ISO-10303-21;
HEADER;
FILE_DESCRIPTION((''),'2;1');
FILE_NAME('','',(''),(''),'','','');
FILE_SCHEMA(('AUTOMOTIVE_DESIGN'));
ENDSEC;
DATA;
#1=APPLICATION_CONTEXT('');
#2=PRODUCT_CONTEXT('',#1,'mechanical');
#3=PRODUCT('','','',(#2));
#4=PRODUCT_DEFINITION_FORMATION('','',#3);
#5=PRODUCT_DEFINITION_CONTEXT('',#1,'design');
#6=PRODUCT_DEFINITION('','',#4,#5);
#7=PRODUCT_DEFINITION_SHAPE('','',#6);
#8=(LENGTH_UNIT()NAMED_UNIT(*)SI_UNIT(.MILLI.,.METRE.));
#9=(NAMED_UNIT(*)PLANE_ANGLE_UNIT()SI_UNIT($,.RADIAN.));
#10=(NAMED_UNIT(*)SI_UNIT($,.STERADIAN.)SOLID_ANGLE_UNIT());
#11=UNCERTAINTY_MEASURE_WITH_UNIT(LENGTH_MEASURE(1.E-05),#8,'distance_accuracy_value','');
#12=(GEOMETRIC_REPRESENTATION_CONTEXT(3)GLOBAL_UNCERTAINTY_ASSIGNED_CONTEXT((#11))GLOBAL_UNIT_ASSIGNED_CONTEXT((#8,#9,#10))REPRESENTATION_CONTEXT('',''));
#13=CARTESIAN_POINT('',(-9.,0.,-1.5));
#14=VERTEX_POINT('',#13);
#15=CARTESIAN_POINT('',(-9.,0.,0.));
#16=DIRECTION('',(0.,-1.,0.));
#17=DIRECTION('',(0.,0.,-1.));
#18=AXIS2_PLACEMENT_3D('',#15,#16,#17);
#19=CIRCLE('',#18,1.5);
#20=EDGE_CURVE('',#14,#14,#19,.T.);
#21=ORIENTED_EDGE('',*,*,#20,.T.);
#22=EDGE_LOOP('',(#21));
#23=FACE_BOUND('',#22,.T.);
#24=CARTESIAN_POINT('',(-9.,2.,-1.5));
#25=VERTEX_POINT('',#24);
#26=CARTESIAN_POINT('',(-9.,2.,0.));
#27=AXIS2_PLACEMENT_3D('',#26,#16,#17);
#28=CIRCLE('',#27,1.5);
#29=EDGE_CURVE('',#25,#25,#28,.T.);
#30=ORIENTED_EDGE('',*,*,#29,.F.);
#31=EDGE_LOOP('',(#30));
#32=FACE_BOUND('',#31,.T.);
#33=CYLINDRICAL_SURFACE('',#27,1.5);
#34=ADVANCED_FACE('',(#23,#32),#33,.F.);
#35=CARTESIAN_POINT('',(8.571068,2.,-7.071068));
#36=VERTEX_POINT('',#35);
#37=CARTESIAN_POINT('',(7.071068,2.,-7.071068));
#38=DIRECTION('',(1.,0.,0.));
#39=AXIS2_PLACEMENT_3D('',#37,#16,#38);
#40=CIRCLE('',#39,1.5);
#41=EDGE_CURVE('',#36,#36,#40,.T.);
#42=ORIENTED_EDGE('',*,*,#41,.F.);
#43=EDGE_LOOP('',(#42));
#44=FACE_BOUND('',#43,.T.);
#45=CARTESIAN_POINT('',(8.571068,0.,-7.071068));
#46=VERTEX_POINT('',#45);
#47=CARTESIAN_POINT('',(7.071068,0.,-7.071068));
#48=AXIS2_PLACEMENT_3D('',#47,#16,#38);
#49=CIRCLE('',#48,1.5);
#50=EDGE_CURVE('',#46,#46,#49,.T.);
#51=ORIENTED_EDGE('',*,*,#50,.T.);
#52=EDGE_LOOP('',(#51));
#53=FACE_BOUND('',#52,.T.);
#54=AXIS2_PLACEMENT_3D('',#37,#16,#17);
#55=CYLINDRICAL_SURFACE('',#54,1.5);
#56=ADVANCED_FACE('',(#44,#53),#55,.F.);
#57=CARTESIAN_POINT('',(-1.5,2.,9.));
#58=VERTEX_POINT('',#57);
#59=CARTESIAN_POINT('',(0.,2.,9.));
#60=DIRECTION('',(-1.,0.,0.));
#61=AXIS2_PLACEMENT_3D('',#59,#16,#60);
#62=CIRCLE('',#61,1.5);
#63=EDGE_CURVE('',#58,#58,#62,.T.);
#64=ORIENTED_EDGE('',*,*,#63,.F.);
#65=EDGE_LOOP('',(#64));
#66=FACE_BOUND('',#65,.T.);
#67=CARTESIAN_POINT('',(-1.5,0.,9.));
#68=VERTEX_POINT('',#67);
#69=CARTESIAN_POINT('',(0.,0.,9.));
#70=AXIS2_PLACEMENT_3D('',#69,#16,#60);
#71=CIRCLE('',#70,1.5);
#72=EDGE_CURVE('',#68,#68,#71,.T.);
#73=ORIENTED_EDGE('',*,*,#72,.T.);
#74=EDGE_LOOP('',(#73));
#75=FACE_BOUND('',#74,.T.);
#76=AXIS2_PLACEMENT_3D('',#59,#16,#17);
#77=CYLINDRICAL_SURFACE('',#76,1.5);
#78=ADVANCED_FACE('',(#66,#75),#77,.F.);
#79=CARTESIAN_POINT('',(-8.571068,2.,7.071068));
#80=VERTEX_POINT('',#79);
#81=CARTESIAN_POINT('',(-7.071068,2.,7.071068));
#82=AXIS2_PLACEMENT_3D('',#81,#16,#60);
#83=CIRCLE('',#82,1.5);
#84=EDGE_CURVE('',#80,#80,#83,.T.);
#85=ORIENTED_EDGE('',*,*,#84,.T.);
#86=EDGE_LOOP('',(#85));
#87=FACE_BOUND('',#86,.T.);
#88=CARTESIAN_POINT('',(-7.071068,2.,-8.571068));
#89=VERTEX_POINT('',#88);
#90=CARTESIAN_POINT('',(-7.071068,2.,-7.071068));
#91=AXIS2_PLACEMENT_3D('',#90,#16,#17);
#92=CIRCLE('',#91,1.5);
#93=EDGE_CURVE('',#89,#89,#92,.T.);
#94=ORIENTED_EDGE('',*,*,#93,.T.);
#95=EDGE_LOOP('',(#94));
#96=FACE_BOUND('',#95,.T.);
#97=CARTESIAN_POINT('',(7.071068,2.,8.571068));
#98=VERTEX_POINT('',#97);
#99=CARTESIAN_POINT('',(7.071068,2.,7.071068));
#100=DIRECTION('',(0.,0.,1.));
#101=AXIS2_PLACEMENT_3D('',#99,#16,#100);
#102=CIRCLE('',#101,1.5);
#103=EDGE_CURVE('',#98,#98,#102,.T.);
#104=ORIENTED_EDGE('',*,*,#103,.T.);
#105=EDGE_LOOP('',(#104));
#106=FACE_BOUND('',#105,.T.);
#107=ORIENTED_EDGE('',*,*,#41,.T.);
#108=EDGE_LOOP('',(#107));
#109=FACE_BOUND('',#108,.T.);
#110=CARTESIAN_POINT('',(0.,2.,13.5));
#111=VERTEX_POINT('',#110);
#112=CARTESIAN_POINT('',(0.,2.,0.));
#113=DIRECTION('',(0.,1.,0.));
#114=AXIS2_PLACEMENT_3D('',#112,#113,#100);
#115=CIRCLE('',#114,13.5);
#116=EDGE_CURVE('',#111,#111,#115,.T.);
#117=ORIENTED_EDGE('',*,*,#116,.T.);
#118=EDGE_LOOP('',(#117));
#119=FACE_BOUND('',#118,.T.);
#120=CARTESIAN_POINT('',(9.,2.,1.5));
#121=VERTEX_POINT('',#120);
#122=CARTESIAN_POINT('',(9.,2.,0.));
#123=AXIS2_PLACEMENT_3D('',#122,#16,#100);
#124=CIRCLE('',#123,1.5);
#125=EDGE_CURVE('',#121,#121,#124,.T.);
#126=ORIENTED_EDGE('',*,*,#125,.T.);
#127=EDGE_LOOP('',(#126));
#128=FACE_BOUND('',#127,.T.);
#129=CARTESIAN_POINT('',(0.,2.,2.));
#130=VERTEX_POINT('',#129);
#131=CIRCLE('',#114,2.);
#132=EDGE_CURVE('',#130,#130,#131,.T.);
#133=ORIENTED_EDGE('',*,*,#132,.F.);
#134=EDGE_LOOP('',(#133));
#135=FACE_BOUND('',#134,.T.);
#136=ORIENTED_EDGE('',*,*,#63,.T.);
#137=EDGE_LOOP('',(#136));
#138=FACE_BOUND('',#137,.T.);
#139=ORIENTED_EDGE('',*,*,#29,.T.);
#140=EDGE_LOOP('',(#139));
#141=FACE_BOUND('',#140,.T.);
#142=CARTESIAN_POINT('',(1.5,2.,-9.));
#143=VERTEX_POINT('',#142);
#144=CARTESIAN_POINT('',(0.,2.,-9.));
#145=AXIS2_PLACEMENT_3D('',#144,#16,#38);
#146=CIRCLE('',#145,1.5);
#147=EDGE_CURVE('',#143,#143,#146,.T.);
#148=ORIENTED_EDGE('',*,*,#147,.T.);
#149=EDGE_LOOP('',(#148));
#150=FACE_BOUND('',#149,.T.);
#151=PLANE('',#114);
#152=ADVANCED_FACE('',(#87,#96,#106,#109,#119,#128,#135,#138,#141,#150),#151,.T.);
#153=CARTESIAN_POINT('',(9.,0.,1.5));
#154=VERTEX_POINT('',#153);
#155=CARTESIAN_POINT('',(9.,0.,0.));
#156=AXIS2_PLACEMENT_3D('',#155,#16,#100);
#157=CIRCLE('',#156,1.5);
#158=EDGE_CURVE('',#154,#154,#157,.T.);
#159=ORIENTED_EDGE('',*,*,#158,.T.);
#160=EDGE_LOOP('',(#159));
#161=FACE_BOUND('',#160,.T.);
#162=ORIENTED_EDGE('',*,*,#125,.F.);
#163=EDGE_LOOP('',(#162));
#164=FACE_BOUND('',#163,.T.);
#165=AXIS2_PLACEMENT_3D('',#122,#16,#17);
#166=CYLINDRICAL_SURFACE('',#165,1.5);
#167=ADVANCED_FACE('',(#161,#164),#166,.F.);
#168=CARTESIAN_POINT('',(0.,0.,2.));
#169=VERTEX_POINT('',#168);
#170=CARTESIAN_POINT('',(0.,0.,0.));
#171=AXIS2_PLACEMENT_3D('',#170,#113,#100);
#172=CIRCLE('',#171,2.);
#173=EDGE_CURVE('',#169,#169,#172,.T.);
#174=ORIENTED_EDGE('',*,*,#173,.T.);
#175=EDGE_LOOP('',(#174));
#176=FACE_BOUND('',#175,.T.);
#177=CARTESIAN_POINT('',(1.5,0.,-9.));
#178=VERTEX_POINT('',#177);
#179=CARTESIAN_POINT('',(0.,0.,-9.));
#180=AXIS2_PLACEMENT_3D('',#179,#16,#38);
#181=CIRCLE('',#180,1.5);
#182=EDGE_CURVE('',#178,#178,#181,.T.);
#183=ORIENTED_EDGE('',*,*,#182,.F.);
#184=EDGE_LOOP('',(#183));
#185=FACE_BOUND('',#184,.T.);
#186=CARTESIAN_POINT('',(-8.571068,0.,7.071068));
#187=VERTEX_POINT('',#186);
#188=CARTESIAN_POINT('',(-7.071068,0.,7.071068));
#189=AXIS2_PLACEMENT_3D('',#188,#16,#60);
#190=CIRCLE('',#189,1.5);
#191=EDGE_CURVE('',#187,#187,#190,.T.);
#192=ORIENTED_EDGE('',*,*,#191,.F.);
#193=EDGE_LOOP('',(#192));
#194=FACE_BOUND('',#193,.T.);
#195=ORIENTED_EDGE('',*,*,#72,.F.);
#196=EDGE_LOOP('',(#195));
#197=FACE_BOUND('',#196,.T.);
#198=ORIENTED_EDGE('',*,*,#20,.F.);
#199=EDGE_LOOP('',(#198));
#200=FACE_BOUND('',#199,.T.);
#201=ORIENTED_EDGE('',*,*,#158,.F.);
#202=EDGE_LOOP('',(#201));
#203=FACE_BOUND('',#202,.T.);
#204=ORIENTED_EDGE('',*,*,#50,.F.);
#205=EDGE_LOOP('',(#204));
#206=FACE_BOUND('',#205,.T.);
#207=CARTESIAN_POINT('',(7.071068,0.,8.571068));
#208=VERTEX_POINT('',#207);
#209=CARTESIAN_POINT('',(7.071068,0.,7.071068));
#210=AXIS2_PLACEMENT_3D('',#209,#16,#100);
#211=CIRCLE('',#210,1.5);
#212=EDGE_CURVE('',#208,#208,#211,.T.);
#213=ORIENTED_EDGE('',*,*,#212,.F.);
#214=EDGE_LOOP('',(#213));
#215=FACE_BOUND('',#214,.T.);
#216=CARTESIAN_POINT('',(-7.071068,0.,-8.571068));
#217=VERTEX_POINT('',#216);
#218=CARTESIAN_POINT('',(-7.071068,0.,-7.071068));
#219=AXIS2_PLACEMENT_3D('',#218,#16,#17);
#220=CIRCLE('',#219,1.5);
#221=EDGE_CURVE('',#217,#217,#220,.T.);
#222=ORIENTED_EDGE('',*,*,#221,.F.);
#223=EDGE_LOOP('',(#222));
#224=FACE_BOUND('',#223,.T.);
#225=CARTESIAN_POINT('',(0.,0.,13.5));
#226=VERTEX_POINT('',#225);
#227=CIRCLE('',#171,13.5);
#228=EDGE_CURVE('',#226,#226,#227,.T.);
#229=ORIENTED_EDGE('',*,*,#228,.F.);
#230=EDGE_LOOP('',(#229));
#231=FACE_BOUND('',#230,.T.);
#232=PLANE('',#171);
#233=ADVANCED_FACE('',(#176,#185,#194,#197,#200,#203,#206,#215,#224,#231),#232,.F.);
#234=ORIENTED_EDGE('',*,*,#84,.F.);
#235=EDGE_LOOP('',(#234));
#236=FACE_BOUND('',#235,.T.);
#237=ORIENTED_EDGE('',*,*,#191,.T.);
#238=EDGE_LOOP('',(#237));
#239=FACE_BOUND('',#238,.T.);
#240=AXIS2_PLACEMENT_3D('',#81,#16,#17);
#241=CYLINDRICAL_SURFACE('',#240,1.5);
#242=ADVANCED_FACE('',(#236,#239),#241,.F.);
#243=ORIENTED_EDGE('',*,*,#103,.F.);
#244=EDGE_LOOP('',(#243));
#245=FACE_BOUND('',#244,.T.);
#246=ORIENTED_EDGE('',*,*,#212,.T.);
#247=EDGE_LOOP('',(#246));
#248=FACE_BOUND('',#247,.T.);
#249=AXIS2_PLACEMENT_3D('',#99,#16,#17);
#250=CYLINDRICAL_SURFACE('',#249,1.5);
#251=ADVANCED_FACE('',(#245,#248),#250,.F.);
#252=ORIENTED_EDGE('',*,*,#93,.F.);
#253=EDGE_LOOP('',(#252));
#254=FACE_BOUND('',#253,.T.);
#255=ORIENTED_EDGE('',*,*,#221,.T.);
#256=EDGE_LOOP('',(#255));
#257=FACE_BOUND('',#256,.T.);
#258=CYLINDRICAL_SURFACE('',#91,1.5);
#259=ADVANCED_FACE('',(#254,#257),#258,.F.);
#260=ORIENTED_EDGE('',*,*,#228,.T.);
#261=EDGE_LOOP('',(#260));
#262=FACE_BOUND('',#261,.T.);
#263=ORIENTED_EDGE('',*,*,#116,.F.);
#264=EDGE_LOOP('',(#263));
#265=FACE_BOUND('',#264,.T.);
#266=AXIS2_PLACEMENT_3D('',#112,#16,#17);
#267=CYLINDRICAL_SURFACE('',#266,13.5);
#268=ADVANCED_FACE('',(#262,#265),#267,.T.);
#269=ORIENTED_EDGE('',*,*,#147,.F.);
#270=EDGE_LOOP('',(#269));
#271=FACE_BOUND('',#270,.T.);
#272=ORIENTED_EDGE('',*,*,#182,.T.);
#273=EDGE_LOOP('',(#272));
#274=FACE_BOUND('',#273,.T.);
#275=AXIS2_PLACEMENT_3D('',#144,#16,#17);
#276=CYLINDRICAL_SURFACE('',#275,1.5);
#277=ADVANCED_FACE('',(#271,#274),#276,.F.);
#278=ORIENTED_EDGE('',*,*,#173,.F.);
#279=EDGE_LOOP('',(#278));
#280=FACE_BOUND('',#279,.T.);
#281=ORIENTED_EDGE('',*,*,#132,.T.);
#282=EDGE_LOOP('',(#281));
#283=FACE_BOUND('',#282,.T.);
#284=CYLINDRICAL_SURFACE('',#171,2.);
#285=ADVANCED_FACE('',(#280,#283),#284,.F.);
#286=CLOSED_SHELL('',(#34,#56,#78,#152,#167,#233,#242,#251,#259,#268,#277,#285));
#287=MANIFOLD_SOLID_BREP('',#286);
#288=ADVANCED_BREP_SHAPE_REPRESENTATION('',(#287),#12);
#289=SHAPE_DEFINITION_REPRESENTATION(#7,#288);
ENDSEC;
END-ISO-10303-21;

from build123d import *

# Parameters (mm, degrees)
SKETCH1_R           = 13.5
BOSS_EXTRUDE1_DEPTH = 2
SKETCH4_R           = 1.5
CUT_EXTRUDE1_DEPTH  = 20.19635382
CIRPATTERN1_COUNT   = 4
SKETCH2_R           = 2
CUT_EXTRUDE2_DEPTH  = 20.19635382


with BuildPart() as part:
    # Sketch1 → Boss-Extrude1 (new body)
    with BuildSketch(Plane(origin=(0, 0, 0), x_dir=(1, 0, 0), z_dir=(0, 1, 0))):
        with Locations(Location((0, 0, 0), (0, 0, 270))):
            Circle(SKETCH1_R)
    extrude(amount=BOSS_EXTRUDE1_DEPTH)

    # Sketch4 → Cut-Extrude1 (cut, through all)
    with BuildSketch(Plane.XZ):
        with Locations(Location((-9, 0, 0), (0, 0, 270))):
            Circle(SKETCH4_R)
        with Locations(Location((-7.071067812, -7.071067812, 0), (0, 0, 270))):
            Circle(SKETCH4_R)
    cut_extrude1 = extrude(amount=-CUT_EXTRUDE1_DEPTH, mode=Mode.SUBTRACT)

    # CirPattern1: Cut-Extrude1 ×4 about axis
    cirpattern1_axis = Axis((0, 0, 0), (0, 1, 0))
    for i in range(1, CIRPATTERN1_COUNT):
        add(cut_extrude1.rotate(cirpattern1_axis, i * 360 / CIRPATTERN1_COUNT), mode=Mode.SUBTRACT)

    # Sketch2 → Cut-Extrude2 (cut, through all)
    with BuildSketch(Plane(origin=(0, 2, 0), x_dir=(1, 0, 0), z_dir=(0, 1, 0))):
        with Locations(Location((0, 0, 0), (0, 0, 270))):
            Circle(SKETCH2_R)
    extrude(amount=-CUT_EXTRUDE2_DEPTH, mode=Mode.SUBTRACT)


solid = part.part
